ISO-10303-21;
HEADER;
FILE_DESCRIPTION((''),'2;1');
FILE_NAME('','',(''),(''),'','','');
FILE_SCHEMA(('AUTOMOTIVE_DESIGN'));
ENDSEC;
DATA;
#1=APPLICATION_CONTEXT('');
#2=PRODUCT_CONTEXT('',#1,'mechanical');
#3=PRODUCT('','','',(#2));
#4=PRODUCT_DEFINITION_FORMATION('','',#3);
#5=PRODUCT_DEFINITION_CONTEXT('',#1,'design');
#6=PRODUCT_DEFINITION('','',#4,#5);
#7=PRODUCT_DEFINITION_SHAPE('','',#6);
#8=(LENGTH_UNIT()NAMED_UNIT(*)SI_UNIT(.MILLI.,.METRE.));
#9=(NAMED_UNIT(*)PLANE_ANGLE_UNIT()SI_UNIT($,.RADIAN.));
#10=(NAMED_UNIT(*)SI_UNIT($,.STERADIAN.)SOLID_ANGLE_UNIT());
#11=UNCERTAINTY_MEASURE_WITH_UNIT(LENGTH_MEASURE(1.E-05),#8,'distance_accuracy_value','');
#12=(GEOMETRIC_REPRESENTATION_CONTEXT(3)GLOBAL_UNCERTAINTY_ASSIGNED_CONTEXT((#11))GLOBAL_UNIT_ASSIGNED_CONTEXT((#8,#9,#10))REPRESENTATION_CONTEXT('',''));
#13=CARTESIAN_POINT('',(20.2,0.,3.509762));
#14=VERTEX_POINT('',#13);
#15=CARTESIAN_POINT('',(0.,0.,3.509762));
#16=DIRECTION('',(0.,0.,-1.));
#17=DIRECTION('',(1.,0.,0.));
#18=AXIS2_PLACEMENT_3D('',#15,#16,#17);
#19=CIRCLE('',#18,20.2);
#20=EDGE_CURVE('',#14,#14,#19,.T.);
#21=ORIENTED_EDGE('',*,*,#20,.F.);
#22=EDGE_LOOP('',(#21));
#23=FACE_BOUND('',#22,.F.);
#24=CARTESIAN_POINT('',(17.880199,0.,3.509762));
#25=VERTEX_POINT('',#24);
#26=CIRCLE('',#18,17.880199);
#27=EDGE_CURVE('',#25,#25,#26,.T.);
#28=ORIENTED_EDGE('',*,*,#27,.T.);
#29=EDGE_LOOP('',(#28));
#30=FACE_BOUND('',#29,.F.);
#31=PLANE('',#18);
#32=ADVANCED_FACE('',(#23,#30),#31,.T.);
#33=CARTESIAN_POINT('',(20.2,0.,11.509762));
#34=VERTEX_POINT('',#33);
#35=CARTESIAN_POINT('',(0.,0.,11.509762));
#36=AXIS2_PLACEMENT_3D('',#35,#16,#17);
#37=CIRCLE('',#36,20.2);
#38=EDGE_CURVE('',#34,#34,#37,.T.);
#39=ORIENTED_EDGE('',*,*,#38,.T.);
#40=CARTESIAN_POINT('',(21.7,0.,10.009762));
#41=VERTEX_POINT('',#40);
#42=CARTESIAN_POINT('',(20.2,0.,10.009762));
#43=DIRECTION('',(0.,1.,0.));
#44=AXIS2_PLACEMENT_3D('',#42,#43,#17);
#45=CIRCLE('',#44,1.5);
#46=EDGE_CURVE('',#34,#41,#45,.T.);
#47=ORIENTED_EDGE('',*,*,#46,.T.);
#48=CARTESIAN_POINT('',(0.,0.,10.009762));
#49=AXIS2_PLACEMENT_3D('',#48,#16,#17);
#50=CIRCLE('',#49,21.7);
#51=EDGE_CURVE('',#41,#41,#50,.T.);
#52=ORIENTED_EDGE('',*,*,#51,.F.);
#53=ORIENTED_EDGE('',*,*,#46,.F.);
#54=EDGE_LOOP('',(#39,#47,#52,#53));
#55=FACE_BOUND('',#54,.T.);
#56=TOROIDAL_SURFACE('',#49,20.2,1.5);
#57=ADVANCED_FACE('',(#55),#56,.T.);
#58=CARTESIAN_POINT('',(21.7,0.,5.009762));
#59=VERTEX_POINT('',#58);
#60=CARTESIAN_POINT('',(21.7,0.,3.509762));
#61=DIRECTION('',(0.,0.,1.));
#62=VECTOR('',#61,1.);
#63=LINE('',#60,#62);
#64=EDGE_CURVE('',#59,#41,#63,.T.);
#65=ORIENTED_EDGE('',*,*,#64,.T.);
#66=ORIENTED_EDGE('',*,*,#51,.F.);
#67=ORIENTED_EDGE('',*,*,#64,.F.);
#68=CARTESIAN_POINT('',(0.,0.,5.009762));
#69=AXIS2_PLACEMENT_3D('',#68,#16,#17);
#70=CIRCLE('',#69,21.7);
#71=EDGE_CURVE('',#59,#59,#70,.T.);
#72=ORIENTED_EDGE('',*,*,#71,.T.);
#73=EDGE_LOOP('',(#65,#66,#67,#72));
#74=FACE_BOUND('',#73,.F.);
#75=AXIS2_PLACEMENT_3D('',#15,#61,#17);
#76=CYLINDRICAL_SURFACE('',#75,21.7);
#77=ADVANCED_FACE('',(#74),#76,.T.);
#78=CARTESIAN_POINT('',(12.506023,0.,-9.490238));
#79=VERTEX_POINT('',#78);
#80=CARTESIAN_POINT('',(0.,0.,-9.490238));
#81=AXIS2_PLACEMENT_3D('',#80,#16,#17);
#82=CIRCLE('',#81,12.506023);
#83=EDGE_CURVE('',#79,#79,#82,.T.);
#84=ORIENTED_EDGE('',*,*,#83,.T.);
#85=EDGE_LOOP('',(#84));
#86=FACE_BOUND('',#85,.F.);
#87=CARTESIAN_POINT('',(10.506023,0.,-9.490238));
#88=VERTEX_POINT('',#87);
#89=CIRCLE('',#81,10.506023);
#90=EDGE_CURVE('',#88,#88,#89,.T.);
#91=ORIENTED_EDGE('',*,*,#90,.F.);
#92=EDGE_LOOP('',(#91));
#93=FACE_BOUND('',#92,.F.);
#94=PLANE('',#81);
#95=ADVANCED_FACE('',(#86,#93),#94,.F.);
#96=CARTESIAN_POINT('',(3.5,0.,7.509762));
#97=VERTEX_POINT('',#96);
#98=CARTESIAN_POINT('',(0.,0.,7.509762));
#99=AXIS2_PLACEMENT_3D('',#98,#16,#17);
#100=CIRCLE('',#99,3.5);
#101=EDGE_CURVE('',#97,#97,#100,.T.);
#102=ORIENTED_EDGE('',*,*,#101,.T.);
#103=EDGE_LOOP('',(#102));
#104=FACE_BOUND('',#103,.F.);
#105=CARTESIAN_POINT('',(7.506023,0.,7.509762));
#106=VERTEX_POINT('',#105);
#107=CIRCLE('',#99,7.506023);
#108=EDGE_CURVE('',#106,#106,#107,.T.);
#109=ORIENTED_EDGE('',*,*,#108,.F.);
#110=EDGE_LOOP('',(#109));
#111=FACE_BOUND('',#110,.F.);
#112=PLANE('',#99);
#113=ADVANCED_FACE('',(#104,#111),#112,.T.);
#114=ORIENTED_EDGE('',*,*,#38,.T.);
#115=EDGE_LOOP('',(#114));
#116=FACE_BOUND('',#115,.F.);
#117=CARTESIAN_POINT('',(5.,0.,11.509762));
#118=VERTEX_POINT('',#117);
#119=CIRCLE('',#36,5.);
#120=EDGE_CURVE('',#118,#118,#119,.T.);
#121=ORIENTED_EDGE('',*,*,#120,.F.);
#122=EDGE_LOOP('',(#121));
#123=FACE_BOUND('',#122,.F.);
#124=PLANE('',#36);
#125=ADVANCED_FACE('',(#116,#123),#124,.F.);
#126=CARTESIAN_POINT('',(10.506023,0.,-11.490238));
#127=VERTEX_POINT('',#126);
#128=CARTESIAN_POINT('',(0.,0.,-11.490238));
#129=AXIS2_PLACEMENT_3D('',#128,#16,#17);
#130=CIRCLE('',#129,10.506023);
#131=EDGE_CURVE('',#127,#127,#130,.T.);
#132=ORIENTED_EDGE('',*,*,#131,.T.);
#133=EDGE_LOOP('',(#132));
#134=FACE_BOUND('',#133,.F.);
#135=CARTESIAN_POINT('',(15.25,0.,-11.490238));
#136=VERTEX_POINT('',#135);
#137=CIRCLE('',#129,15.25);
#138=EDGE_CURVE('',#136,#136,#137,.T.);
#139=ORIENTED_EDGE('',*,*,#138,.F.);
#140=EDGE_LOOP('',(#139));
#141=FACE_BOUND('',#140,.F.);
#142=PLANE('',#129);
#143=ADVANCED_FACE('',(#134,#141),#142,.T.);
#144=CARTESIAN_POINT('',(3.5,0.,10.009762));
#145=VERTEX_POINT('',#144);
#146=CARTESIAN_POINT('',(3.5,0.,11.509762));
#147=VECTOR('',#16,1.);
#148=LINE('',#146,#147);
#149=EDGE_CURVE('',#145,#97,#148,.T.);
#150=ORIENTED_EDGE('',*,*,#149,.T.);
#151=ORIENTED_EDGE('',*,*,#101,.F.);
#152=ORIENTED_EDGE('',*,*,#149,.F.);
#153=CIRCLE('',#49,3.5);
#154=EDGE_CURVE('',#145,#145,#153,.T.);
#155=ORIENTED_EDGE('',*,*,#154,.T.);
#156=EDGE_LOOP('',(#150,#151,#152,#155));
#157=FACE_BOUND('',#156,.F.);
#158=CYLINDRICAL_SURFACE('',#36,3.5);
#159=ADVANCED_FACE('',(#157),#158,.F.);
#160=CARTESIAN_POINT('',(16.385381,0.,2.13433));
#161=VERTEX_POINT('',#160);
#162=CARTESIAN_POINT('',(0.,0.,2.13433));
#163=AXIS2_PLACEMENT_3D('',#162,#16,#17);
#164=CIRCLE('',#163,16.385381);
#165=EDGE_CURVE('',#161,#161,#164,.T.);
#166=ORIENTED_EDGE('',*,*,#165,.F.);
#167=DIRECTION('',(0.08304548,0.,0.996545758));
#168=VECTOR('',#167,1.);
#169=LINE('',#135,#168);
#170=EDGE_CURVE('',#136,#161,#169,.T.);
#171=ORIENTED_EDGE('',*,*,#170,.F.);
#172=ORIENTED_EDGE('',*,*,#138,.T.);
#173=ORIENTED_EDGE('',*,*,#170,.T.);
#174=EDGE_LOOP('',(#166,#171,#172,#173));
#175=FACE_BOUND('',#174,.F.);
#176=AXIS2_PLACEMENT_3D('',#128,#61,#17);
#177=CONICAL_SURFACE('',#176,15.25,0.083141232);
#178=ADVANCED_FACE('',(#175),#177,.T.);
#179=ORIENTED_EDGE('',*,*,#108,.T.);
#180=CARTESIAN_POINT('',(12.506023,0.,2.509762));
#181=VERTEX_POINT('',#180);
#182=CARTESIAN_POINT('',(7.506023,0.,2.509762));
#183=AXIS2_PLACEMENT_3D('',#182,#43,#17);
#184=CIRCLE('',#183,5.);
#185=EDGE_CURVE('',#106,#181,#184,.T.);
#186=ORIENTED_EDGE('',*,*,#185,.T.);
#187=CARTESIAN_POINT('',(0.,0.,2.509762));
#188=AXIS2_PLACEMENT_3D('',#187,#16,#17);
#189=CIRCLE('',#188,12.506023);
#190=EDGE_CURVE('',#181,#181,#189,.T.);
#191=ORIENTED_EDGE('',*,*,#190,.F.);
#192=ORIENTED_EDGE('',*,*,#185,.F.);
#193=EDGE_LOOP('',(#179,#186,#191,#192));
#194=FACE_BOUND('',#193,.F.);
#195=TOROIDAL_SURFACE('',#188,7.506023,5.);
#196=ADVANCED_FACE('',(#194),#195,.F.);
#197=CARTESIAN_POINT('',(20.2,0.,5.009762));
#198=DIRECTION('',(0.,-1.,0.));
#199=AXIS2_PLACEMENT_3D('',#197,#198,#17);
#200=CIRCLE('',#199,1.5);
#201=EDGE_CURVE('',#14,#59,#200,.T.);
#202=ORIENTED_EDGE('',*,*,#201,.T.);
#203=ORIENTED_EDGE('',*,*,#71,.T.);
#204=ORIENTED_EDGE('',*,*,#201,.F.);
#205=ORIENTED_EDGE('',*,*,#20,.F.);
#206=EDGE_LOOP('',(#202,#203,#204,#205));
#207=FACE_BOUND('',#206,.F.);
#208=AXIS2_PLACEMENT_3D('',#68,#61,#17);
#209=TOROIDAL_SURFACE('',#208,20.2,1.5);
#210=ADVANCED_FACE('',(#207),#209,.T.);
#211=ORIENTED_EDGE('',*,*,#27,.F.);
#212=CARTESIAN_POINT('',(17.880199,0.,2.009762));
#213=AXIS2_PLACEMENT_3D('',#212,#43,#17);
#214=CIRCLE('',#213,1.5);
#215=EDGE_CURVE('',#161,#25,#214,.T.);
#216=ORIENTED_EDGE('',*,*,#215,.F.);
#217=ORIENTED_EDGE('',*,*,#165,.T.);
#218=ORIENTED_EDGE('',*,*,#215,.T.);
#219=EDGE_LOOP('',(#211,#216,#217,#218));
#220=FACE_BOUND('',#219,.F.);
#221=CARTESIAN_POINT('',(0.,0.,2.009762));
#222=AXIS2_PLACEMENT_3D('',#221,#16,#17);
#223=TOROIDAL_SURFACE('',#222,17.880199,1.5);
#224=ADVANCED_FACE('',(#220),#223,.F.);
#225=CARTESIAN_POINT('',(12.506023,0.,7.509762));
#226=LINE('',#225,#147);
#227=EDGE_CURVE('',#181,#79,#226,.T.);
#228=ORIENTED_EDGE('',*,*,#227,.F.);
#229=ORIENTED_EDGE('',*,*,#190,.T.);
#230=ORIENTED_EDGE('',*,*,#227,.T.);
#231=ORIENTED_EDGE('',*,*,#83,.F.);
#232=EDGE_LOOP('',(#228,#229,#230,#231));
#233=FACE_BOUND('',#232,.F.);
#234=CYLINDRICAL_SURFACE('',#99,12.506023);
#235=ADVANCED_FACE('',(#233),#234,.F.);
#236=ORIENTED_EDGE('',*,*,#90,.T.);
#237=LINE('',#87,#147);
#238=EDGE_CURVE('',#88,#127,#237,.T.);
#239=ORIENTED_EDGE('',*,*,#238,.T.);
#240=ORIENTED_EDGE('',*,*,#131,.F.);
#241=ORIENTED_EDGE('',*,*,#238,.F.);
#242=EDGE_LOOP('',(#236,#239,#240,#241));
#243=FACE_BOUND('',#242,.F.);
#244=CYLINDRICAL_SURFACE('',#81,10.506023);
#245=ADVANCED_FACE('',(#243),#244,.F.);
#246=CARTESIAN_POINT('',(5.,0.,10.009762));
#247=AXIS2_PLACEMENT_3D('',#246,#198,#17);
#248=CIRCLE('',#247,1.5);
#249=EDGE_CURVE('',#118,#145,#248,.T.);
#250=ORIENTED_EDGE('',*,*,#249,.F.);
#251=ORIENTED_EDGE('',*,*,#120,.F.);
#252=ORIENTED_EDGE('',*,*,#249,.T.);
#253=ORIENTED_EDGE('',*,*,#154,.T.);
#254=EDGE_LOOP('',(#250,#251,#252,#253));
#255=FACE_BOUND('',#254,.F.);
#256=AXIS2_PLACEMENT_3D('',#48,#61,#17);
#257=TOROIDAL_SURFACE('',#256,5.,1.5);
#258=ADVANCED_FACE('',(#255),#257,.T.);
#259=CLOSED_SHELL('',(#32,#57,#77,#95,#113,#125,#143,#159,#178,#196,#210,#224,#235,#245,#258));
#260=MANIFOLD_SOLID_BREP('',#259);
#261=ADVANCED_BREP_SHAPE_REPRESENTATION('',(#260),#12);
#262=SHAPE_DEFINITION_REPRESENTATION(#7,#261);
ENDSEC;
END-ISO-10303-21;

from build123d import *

# Parameters (mm, degrees)
F2_R = 1.5
F3_R = 5


with BuildPart() as f1:
    # F0 (on Front) → F1 (revolve)
    with BuildSketch(Plane.XZ):
        Polygon((21.7, 11.509762), (3.5, 11.509762), (3.5, 7.509762), (12.506023, 7.509762), (12.506023, -9.490238), (10.506023, -9.490238), (10.506023, -11.490238), (15.25, -11.490238), (16.5, 3.509762), (21.7, 3.509762), align=None)
    revolve(axis=Axis((0, 0, -6.313648), (0, 0, -1)))

    # F2
    f2_edges = [f1.edges().sort_by_distance(p)[0] for p in [
        (-3.5, 0, 11.509762),
        (-21.7, 0, 11.509762),
        (-21.7, 0, 3.509762),
        (-16.5, 0, 3.509762),
    ]]
    fillet(f2_edges, radius=F2_R)

    # F3
    f3_edges = [f1.edges().sort_by_distance(p)[0] for p in [
        (-12.506023, 0, 7.509762),
    ]]
    fillet(f3_edges, radius=F3_R)


solid = f1.part
